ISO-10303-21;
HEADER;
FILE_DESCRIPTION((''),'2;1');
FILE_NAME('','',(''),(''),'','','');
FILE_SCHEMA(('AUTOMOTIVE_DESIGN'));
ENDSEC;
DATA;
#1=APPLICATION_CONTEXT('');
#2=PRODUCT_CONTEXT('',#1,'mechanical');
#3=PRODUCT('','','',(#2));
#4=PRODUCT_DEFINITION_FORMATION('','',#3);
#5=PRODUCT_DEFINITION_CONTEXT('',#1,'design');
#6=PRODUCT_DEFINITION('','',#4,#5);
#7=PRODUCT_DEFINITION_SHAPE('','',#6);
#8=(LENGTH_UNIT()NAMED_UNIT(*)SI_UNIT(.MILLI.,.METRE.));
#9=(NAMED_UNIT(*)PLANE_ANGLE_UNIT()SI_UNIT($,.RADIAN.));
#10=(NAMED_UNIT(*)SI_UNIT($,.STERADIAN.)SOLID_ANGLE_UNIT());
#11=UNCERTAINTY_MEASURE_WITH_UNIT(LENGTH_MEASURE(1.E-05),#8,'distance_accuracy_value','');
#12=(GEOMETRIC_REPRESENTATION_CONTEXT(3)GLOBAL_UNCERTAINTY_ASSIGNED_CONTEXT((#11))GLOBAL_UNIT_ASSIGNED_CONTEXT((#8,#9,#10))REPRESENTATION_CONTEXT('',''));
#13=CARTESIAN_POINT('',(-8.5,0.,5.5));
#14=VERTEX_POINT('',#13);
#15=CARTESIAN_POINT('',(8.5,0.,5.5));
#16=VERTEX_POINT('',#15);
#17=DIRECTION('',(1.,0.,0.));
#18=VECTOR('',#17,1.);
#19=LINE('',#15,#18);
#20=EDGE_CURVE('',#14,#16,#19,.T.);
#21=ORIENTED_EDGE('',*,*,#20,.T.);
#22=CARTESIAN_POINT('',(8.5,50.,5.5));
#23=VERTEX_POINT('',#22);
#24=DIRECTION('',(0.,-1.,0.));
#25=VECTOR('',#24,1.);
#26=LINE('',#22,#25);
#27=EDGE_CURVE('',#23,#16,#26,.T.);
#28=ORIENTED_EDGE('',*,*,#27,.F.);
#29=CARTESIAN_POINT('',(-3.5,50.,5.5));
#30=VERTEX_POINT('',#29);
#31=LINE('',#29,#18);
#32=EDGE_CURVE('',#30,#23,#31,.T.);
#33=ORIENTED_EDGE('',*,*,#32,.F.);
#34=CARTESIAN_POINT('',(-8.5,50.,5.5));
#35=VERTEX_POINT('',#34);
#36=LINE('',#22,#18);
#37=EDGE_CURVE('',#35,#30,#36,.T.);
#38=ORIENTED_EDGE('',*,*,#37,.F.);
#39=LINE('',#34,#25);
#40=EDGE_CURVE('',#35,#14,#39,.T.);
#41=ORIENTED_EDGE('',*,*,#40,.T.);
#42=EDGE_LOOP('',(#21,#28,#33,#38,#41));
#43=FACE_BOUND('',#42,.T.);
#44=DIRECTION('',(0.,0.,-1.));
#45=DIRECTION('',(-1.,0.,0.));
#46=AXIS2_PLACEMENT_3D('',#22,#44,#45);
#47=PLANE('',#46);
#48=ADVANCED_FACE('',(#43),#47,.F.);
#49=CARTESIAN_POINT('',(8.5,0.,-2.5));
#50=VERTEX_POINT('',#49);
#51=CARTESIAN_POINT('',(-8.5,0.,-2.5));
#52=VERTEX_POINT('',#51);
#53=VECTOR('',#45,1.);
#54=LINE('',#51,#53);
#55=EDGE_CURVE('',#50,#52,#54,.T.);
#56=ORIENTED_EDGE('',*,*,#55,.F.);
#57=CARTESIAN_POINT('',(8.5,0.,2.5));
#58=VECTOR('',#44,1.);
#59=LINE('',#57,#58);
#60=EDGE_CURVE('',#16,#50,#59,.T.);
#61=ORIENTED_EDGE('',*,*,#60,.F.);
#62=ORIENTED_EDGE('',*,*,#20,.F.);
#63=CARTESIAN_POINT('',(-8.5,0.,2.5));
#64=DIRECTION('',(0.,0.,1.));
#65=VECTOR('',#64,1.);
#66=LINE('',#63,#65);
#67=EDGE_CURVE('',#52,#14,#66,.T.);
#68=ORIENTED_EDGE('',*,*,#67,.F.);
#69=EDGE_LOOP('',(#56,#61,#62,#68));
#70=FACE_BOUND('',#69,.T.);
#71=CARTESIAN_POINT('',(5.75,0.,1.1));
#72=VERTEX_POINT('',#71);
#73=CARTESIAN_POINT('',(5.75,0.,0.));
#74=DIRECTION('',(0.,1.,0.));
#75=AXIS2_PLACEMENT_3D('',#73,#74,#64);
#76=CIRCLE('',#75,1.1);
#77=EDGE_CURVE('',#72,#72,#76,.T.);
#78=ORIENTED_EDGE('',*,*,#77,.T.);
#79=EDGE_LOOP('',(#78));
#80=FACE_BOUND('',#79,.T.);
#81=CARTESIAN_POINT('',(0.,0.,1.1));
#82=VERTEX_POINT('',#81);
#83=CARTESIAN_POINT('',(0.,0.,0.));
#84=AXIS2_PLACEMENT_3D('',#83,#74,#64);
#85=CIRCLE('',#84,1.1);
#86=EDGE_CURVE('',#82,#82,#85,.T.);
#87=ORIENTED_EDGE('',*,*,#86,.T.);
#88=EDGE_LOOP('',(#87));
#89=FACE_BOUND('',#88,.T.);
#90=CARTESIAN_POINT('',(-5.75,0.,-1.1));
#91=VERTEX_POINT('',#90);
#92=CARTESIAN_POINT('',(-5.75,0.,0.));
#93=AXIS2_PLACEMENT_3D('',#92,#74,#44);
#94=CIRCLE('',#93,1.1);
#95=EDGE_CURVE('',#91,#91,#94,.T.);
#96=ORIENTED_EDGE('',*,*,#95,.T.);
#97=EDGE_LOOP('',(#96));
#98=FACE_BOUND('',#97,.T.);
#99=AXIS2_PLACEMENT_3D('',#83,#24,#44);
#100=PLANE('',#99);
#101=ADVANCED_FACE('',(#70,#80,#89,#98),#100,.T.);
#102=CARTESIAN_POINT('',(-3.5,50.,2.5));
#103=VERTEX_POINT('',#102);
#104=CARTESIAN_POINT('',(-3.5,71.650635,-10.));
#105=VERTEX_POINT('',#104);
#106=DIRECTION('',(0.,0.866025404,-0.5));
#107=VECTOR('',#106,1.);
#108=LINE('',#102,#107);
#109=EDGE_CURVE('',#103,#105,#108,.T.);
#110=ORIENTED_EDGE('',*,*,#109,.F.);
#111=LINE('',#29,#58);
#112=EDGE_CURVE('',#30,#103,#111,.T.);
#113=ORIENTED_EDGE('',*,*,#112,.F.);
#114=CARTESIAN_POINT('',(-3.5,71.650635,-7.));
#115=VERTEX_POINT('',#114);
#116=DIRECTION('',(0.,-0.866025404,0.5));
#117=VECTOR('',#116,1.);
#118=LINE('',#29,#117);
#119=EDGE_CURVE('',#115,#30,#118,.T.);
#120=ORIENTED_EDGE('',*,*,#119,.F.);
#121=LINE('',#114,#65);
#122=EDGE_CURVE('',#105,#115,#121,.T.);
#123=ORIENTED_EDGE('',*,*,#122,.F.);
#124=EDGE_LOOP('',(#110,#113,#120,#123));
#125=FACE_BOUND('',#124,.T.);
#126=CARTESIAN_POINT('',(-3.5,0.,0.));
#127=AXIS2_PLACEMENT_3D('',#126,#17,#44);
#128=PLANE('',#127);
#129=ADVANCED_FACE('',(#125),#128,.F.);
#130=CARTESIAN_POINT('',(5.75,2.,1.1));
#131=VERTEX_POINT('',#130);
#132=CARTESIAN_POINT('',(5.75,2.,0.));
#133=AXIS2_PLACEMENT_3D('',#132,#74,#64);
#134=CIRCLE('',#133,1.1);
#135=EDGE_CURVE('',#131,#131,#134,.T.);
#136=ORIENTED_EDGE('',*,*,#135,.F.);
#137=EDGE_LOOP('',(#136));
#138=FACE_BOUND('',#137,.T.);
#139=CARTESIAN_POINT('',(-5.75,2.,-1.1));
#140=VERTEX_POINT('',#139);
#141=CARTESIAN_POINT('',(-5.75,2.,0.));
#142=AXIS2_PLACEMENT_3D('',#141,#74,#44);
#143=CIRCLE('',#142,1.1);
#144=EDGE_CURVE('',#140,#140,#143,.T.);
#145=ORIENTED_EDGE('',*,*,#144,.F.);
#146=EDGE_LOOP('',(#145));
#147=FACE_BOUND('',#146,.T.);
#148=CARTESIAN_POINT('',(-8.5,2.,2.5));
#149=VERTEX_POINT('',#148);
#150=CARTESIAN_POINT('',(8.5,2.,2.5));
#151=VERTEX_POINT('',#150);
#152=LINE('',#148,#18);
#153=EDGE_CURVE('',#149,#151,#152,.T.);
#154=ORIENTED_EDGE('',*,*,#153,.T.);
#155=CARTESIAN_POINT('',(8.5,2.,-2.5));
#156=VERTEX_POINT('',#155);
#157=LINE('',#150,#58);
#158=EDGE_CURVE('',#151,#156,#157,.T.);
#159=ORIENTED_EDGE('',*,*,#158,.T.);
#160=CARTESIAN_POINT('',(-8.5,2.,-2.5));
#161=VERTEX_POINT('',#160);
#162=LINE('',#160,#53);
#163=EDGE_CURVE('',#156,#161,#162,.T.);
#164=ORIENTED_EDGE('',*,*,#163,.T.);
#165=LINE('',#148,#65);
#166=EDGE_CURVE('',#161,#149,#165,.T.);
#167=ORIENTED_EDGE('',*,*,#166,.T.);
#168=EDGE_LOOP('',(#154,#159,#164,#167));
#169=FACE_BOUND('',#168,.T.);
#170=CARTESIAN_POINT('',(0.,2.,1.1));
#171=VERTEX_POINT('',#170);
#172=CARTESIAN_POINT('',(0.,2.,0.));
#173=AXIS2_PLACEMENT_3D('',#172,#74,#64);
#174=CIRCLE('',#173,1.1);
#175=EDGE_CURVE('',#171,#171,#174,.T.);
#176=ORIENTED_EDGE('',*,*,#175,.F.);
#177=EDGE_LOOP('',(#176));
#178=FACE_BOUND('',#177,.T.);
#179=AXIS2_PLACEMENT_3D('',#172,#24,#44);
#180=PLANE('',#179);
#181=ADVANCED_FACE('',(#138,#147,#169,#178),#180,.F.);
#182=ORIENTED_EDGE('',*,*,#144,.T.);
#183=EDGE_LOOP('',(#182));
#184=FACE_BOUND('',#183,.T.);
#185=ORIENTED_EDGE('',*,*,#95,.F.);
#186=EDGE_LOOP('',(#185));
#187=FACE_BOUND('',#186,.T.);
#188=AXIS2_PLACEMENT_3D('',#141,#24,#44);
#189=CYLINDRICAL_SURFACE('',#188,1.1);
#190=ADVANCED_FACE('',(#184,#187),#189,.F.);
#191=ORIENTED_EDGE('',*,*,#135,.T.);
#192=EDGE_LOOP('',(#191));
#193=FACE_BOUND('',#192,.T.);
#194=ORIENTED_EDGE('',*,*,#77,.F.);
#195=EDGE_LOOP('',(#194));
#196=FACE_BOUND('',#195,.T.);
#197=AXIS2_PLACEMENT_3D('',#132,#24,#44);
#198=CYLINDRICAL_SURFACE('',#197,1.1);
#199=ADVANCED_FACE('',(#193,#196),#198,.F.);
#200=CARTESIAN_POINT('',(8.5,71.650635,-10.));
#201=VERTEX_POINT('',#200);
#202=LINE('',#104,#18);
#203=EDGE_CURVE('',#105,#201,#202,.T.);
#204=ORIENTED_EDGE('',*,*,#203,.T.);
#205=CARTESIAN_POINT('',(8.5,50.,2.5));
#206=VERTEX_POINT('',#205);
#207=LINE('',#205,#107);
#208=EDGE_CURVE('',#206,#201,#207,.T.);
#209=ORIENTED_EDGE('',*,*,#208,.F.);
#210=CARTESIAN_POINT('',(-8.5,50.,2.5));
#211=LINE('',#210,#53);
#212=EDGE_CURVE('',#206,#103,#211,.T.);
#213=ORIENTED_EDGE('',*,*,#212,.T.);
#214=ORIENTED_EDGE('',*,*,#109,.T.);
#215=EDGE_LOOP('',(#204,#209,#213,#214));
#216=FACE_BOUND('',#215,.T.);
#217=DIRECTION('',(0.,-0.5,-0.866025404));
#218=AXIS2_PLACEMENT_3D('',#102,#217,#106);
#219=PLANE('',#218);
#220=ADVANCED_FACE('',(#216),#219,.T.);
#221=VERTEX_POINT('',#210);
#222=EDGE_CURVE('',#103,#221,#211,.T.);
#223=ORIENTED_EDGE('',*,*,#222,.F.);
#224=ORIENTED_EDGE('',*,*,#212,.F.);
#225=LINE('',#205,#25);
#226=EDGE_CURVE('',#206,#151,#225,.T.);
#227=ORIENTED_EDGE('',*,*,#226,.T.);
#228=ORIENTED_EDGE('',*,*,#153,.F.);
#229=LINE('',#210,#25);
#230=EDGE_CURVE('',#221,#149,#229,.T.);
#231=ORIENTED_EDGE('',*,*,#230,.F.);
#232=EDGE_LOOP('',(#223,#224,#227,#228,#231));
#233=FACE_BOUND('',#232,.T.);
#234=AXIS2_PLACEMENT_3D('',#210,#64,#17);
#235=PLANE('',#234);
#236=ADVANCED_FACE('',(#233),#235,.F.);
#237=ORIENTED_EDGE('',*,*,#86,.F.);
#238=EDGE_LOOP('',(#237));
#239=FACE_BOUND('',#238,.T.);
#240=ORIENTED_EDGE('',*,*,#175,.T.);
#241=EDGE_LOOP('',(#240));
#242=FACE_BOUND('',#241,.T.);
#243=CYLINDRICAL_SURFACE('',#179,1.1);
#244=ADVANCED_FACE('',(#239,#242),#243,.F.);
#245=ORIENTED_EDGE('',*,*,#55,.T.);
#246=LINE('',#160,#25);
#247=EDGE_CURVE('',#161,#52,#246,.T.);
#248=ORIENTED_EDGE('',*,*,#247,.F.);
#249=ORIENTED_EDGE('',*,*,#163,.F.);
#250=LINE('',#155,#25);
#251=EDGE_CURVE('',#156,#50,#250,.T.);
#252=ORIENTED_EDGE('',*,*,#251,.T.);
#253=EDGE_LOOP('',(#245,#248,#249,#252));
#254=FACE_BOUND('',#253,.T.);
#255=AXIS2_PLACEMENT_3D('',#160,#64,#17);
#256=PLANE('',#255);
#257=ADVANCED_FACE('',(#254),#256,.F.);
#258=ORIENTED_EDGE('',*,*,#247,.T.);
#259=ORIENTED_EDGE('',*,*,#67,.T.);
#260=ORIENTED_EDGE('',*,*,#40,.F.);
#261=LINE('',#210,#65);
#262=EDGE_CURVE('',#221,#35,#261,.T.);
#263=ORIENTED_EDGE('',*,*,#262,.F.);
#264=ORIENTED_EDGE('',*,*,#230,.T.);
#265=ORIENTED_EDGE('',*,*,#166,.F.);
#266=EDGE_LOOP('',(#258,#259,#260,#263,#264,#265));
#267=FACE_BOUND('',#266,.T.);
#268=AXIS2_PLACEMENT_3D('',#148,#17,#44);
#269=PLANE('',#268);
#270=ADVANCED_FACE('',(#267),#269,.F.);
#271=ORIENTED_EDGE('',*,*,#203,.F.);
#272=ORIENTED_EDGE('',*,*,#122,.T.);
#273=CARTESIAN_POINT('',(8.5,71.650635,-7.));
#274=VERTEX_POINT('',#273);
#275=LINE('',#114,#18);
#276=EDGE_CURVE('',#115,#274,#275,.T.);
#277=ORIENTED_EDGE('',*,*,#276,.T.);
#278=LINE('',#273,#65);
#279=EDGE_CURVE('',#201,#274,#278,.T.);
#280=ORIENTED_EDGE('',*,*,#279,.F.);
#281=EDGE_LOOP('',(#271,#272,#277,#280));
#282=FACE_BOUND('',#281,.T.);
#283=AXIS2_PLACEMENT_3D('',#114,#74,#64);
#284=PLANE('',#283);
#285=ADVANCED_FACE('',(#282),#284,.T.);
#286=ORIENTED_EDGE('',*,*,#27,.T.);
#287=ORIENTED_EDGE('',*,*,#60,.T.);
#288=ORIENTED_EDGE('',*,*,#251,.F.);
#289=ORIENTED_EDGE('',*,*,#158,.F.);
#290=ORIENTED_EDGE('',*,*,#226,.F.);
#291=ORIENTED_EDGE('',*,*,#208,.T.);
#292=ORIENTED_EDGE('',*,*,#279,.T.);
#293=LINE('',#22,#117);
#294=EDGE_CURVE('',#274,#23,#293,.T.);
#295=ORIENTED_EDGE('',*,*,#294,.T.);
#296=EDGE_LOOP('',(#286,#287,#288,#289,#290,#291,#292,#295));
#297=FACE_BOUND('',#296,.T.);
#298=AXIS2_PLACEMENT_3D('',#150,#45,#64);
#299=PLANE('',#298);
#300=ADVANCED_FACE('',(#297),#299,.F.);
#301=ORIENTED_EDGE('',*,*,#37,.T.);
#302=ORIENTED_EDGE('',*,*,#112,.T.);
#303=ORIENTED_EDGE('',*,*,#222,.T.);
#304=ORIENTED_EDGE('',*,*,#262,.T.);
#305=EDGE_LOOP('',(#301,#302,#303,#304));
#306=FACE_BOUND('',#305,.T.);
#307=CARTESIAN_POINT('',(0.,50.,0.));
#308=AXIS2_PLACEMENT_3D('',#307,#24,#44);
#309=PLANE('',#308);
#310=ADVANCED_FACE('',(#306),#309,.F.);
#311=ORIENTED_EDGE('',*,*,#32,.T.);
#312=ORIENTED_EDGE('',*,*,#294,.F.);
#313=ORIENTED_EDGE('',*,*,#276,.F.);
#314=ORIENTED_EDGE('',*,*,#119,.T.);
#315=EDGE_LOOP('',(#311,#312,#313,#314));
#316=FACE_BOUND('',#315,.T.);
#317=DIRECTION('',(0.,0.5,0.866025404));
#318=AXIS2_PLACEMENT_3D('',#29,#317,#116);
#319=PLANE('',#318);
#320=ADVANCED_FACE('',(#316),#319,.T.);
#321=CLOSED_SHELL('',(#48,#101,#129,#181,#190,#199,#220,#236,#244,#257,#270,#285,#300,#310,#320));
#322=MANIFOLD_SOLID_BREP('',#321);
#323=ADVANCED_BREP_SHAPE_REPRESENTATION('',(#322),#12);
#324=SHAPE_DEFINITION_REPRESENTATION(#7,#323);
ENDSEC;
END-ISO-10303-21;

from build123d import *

# Parameters (mm, degrees)
SKETCH_1_W      = 17
SKETCH_1_H      = 5
SKETCH_1_R      = 1.1
EXTRUDE_1_DEPTH = 2
SKETCH_2_W      = 17
SKETCH_2_H      = 3
EXTRUDE_2_DEPTH = 50
EXTRUDE_3_DEPTH = 12


with BuildPart() as part:
    # 草图1 → 凸台-拉伸1 (new body)
    with BuildSketch(Plane(origin=(0, 0, 0), x_dir=(1, 0, 0), z_dir=(0, 1, 0))):
        Rectangle(SKETCH_1_W, SKETCH_1_H)
        with Locations(Location((5.75, 0, 0), (0, 0, 270))):
            Circle(SKETCH_1_R, mode=Mode.SUBTRACT)
        with Locations(Location((-5.75, 0, 0), (0, 0, 90))):
            Circle(SKETCH_1_R, mode=Mode.SUBTRACT)
        with Locations(Location((0, 0, 0), (0, 0, 270))):
            Circle(SKETCH_1_R, mode=Mode.SUBTRACT)
    extrude(amount=EXTRUDE_1_DEPTH)

    # 草图2 → 凸台-拉伸2 (add)
    with BuildSketch(Plane(origin=(0, 0, 0), x_dir=(1, 0, 0), z_dir=(0, 1, 0))):
        with Locations((0, -4)):
            Rectangle(SKETCH_2_W, SKETCH_2_H)
    extrude(amount=EXTRUDE_2_DEPTH)

    # 草图3 → 凸台-拉伸3 (add)
    with BuildSketch(Plane(origin=(8.5, 0, 0), x_dir=(0, 0, -1), z_dir=(1, 0, 0))):
        Polygon((-5.5, 50), (7, 71.650635095), (10, 71.650635095), (-2.5, 50), align=None)
    extrude(amount=-EXTRUDE_3_DEPTH)


solid = part.part
